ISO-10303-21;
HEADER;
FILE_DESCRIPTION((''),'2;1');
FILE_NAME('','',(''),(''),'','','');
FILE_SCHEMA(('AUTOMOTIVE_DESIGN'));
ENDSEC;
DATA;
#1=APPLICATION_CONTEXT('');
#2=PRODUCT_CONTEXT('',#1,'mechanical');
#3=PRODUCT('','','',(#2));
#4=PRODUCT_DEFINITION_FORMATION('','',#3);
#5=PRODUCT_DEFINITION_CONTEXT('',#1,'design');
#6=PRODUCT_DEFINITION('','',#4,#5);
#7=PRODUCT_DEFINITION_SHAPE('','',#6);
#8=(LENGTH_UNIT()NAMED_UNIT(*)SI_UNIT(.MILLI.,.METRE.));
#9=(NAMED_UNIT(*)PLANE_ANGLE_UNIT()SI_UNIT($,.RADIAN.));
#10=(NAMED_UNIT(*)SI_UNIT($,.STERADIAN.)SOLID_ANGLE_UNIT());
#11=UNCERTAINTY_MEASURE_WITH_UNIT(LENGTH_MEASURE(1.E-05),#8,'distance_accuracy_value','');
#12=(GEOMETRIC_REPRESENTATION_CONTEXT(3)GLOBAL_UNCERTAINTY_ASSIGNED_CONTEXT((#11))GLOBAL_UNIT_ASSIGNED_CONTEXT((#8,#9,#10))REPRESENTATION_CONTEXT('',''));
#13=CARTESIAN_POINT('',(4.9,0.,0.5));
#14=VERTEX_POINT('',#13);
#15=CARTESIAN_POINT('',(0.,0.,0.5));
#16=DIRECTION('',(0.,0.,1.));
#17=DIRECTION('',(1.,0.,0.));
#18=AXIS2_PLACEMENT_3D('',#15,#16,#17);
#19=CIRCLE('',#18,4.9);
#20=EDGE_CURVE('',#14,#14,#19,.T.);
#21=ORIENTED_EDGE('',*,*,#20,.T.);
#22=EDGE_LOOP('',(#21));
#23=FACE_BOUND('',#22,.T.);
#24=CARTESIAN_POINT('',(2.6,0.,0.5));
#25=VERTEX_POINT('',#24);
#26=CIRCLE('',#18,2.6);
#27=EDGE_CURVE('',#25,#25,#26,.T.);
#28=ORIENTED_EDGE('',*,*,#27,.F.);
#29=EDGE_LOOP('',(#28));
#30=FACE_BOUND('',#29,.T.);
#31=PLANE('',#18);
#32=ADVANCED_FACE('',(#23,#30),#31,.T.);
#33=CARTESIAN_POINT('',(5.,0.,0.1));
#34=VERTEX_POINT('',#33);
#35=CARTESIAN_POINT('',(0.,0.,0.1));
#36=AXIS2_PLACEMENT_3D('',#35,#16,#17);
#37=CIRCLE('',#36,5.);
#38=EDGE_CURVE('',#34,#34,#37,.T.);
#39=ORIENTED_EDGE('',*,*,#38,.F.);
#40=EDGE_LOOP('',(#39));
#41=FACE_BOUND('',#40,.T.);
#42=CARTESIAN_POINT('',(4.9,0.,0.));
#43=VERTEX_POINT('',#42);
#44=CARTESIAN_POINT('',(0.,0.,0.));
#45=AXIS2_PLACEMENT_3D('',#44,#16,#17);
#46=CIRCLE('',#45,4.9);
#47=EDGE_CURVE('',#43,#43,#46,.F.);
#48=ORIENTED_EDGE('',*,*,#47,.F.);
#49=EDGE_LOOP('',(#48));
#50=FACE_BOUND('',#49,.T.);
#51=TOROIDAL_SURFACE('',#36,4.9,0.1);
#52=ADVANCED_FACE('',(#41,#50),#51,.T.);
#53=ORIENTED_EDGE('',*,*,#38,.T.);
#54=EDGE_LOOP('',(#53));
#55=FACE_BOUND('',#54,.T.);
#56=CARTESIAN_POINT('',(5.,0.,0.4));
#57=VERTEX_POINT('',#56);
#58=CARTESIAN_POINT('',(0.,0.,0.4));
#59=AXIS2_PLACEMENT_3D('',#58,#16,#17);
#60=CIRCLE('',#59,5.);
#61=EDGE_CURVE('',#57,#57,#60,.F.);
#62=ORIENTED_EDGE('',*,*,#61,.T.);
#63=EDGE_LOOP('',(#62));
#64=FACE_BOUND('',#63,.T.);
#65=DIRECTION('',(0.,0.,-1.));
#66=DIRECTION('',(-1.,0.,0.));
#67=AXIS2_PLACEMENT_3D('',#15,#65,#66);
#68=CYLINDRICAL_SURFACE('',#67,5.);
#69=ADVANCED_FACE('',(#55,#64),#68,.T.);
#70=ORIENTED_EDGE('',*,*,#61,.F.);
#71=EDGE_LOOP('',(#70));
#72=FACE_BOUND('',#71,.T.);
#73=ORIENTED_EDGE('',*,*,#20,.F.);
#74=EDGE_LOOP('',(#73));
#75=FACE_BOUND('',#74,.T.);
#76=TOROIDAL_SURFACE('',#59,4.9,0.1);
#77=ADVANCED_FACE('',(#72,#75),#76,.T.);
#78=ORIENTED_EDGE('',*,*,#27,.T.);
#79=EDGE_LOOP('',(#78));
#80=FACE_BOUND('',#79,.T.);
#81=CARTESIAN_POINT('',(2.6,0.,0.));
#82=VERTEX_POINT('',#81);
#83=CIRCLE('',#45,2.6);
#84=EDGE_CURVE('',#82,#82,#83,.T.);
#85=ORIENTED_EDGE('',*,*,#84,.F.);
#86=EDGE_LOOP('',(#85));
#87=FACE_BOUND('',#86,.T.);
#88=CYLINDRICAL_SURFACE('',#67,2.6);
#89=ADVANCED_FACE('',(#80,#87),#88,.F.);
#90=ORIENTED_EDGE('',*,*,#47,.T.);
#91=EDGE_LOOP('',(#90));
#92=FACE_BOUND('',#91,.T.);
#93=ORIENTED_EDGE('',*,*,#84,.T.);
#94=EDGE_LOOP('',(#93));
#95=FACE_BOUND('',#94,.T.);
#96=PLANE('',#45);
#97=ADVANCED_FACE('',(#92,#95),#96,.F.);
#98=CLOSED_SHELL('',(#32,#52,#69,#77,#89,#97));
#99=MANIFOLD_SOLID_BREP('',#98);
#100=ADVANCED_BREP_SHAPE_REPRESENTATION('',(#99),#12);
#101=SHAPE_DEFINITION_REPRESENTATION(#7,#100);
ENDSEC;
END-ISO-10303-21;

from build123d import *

# Parameters (mm, degrees)
SKETCH_1_R      = 5
SKETCH_1_R_2    = 2.6
EXTRUDE_1_DEPTH = 0.5
FILLET_1_R      = 0.1


with BuildPart() as part:
    # 草图1 → 凸台-拉伸1 (new body)
    with BuildSketch(Plane.XY):
        Circle(SKETCH_1_R)
        Circle(SKETCH_1_R_2, mode=Mode.SUBTRACT)
    extrude(amount=EXTRUDE_1_DEPTH)

    # 圆角1
    fillet_1_edges = [part.edges().sort_by_distance(p)[0] for p in [
        (-5, 0, 0),
        (-5, 0, 0.5),
    ]]
    fillet(fillet_1_edges, radius=FILLET_1_R)


solid = part.part
